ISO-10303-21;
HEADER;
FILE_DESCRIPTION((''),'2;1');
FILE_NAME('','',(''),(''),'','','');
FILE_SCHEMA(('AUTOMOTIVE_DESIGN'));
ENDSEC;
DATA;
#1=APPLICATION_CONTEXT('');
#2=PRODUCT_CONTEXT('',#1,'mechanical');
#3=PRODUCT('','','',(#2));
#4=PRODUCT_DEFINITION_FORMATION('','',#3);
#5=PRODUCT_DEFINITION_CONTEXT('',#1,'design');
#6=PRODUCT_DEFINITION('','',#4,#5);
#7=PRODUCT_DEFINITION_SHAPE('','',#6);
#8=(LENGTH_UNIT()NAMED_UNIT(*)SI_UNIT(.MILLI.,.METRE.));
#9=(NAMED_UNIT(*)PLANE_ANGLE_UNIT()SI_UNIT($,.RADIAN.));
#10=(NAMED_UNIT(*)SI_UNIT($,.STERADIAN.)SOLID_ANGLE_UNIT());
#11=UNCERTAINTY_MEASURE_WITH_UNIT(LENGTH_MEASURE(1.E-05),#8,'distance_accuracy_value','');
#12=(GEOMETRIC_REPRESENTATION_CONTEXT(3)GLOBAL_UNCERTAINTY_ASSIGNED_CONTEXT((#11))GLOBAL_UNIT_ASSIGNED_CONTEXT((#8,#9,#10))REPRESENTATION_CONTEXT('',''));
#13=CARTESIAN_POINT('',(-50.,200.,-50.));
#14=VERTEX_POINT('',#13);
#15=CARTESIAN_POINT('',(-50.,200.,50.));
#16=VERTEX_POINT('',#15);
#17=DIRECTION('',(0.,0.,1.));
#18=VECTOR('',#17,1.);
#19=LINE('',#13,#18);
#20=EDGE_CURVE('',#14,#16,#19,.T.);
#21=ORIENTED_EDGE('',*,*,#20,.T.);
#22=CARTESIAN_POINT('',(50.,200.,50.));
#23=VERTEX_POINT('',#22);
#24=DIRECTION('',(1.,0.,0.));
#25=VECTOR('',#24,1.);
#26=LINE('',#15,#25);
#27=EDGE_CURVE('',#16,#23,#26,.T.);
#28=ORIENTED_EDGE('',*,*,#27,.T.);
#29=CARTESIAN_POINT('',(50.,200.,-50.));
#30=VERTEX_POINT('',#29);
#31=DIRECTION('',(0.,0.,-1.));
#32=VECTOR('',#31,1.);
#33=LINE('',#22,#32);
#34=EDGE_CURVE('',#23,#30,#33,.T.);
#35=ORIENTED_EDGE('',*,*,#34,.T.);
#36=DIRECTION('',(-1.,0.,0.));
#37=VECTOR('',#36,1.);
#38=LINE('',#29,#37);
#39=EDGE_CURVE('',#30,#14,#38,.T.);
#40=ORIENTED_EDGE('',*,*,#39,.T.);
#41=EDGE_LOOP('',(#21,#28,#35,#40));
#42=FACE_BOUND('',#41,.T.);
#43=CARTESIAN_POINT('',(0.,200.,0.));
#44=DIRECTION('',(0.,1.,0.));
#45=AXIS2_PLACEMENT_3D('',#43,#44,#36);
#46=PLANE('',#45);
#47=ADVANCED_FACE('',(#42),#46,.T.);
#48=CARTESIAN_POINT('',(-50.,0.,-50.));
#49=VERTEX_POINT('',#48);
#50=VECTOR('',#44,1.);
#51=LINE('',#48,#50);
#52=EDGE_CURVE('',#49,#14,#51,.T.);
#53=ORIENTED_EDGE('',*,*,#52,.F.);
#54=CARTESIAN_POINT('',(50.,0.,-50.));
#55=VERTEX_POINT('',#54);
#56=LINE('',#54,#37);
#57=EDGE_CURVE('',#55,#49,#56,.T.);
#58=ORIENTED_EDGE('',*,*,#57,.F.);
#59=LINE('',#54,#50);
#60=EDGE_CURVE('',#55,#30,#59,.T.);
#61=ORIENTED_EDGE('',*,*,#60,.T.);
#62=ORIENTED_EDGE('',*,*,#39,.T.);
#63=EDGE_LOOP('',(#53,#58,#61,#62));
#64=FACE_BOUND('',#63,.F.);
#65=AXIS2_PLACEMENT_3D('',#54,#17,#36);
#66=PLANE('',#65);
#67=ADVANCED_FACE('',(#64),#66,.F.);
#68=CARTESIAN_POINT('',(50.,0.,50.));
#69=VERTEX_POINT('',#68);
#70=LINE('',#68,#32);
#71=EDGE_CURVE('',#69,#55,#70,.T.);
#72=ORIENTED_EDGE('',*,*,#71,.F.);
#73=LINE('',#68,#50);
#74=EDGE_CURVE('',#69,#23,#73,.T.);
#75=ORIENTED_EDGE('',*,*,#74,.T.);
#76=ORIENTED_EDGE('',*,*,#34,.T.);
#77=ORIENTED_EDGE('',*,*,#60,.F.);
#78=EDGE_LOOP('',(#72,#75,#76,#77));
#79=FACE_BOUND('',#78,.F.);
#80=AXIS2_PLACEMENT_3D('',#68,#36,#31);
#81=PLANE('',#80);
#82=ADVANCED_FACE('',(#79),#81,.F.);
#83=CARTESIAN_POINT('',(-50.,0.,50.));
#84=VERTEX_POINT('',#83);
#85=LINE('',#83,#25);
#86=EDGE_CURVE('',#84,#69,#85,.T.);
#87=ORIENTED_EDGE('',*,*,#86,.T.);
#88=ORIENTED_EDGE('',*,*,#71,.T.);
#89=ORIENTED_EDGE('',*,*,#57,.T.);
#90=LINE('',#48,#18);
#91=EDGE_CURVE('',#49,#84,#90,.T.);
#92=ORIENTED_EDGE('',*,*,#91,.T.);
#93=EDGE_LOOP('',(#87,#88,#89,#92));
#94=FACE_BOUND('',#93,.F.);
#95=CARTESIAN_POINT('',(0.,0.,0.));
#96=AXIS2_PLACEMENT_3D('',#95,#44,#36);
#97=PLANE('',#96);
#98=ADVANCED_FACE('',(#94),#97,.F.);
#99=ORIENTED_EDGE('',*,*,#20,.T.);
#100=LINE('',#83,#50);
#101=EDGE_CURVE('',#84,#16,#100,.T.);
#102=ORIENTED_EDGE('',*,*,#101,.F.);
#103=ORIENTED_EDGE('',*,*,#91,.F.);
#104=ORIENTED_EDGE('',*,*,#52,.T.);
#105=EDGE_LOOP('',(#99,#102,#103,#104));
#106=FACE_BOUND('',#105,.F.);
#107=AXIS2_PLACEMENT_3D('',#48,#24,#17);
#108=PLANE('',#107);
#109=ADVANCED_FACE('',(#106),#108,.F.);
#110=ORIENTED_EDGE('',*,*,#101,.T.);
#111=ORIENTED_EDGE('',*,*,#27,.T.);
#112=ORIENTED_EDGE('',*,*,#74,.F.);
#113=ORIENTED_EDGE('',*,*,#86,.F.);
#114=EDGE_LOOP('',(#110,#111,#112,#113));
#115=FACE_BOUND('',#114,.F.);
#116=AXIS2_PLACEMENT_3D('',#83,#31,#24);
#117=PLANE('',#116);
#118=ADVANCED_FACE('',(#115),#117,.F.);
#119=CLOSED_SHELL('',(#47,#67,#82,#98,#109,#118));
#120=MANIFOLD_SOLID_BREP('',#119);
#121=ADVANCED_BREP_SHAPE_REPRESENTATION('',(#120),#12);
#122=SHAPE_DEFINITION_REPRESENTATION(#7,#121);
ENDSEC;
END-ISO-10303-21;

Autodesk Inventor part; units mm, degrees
ref_plane "YZ Plane" through (0, 0, 0) normal (1, 0, 0) x (0, 1, 0)
ref_plane "XZ Plane" through (0, 0, 0) normal (0, 1, 0) x (-1, 0, 0)
ref_plane "XY Plane" through (0, 0, 0) normal (0, 0, 1) x (1, 0, 0)
sketch "Sketch1" plane through (0, 0, 0) normal (0, 1, 0) x (-1, 0, 0)
  line L0 (-50, -50) -> (50, -50)
  line L1 (50, -50) -> (50, 50)
  line L2 (50, 50) -> (-50, 50)
  line L3 (-50, 50) -> (-50, -50)
  line L4 (-50, -50) -> (50, 50) construction
  line L5 (50, -50) -> (-50, 50) construction
  point P0 (0, 0)
  dimension "d0" = 100
  dimension "d1" = 100
extrude "Extrusion1" add sketch "Sketch1" along normal blind 200
sketch "Sketch3" plane through (50, 0, -50) normal (0, 0, -1) x (-1, 0, 0)
  line L0 (21.1023, 115.1057) -> (65.8801, 115.1057) construction
  line L1 (65.8801, 115.1057) -> (65.8801, 70.3279) construction
  line L2 (65.8801, 70.3279) -> (21.1023, 70.3279) construction
  line L3 (21.1023, 70.3279) -> (21.1023, 115.1057) construction
  point P0 (50, 0)
sketch "Sketch4" plane through (0, 200, 0) normal (0, 1, 0) x (1, 0, 0)
  line L0 (-19.649, 14.8569) -> (11.1811, 14.8569) construction
  line L1 (11.1811, 14.8569) -> (11.1811, -15.9732) construction
  line L2 (11.1811, -15.9732) -> (-19.649, -15.9732) construction
  line L3 (-19.649, -15.9732) -> (-19.649, 14.8569) construction
  point P0 (0, 0)
sketch "Sketch5" plane through (0, 0, 0) normal (0, -1, 0) x (1, 0, 0)
  line L0 (-15.5915, 13.2858) -> (16.9921, 13.2858) construction
  line L1 (16.9921, 13.2858) -> (16.9921, -19.2978) construction
  line L2 (16.9921, -19.2978) -> (-15.5915, -19.2978) construction
  line L3 (-15.5915, -19.2978) -> (-15.5915, 13.2858) construction
  point P0 (0, 0)
properties part number "OBJECT"
